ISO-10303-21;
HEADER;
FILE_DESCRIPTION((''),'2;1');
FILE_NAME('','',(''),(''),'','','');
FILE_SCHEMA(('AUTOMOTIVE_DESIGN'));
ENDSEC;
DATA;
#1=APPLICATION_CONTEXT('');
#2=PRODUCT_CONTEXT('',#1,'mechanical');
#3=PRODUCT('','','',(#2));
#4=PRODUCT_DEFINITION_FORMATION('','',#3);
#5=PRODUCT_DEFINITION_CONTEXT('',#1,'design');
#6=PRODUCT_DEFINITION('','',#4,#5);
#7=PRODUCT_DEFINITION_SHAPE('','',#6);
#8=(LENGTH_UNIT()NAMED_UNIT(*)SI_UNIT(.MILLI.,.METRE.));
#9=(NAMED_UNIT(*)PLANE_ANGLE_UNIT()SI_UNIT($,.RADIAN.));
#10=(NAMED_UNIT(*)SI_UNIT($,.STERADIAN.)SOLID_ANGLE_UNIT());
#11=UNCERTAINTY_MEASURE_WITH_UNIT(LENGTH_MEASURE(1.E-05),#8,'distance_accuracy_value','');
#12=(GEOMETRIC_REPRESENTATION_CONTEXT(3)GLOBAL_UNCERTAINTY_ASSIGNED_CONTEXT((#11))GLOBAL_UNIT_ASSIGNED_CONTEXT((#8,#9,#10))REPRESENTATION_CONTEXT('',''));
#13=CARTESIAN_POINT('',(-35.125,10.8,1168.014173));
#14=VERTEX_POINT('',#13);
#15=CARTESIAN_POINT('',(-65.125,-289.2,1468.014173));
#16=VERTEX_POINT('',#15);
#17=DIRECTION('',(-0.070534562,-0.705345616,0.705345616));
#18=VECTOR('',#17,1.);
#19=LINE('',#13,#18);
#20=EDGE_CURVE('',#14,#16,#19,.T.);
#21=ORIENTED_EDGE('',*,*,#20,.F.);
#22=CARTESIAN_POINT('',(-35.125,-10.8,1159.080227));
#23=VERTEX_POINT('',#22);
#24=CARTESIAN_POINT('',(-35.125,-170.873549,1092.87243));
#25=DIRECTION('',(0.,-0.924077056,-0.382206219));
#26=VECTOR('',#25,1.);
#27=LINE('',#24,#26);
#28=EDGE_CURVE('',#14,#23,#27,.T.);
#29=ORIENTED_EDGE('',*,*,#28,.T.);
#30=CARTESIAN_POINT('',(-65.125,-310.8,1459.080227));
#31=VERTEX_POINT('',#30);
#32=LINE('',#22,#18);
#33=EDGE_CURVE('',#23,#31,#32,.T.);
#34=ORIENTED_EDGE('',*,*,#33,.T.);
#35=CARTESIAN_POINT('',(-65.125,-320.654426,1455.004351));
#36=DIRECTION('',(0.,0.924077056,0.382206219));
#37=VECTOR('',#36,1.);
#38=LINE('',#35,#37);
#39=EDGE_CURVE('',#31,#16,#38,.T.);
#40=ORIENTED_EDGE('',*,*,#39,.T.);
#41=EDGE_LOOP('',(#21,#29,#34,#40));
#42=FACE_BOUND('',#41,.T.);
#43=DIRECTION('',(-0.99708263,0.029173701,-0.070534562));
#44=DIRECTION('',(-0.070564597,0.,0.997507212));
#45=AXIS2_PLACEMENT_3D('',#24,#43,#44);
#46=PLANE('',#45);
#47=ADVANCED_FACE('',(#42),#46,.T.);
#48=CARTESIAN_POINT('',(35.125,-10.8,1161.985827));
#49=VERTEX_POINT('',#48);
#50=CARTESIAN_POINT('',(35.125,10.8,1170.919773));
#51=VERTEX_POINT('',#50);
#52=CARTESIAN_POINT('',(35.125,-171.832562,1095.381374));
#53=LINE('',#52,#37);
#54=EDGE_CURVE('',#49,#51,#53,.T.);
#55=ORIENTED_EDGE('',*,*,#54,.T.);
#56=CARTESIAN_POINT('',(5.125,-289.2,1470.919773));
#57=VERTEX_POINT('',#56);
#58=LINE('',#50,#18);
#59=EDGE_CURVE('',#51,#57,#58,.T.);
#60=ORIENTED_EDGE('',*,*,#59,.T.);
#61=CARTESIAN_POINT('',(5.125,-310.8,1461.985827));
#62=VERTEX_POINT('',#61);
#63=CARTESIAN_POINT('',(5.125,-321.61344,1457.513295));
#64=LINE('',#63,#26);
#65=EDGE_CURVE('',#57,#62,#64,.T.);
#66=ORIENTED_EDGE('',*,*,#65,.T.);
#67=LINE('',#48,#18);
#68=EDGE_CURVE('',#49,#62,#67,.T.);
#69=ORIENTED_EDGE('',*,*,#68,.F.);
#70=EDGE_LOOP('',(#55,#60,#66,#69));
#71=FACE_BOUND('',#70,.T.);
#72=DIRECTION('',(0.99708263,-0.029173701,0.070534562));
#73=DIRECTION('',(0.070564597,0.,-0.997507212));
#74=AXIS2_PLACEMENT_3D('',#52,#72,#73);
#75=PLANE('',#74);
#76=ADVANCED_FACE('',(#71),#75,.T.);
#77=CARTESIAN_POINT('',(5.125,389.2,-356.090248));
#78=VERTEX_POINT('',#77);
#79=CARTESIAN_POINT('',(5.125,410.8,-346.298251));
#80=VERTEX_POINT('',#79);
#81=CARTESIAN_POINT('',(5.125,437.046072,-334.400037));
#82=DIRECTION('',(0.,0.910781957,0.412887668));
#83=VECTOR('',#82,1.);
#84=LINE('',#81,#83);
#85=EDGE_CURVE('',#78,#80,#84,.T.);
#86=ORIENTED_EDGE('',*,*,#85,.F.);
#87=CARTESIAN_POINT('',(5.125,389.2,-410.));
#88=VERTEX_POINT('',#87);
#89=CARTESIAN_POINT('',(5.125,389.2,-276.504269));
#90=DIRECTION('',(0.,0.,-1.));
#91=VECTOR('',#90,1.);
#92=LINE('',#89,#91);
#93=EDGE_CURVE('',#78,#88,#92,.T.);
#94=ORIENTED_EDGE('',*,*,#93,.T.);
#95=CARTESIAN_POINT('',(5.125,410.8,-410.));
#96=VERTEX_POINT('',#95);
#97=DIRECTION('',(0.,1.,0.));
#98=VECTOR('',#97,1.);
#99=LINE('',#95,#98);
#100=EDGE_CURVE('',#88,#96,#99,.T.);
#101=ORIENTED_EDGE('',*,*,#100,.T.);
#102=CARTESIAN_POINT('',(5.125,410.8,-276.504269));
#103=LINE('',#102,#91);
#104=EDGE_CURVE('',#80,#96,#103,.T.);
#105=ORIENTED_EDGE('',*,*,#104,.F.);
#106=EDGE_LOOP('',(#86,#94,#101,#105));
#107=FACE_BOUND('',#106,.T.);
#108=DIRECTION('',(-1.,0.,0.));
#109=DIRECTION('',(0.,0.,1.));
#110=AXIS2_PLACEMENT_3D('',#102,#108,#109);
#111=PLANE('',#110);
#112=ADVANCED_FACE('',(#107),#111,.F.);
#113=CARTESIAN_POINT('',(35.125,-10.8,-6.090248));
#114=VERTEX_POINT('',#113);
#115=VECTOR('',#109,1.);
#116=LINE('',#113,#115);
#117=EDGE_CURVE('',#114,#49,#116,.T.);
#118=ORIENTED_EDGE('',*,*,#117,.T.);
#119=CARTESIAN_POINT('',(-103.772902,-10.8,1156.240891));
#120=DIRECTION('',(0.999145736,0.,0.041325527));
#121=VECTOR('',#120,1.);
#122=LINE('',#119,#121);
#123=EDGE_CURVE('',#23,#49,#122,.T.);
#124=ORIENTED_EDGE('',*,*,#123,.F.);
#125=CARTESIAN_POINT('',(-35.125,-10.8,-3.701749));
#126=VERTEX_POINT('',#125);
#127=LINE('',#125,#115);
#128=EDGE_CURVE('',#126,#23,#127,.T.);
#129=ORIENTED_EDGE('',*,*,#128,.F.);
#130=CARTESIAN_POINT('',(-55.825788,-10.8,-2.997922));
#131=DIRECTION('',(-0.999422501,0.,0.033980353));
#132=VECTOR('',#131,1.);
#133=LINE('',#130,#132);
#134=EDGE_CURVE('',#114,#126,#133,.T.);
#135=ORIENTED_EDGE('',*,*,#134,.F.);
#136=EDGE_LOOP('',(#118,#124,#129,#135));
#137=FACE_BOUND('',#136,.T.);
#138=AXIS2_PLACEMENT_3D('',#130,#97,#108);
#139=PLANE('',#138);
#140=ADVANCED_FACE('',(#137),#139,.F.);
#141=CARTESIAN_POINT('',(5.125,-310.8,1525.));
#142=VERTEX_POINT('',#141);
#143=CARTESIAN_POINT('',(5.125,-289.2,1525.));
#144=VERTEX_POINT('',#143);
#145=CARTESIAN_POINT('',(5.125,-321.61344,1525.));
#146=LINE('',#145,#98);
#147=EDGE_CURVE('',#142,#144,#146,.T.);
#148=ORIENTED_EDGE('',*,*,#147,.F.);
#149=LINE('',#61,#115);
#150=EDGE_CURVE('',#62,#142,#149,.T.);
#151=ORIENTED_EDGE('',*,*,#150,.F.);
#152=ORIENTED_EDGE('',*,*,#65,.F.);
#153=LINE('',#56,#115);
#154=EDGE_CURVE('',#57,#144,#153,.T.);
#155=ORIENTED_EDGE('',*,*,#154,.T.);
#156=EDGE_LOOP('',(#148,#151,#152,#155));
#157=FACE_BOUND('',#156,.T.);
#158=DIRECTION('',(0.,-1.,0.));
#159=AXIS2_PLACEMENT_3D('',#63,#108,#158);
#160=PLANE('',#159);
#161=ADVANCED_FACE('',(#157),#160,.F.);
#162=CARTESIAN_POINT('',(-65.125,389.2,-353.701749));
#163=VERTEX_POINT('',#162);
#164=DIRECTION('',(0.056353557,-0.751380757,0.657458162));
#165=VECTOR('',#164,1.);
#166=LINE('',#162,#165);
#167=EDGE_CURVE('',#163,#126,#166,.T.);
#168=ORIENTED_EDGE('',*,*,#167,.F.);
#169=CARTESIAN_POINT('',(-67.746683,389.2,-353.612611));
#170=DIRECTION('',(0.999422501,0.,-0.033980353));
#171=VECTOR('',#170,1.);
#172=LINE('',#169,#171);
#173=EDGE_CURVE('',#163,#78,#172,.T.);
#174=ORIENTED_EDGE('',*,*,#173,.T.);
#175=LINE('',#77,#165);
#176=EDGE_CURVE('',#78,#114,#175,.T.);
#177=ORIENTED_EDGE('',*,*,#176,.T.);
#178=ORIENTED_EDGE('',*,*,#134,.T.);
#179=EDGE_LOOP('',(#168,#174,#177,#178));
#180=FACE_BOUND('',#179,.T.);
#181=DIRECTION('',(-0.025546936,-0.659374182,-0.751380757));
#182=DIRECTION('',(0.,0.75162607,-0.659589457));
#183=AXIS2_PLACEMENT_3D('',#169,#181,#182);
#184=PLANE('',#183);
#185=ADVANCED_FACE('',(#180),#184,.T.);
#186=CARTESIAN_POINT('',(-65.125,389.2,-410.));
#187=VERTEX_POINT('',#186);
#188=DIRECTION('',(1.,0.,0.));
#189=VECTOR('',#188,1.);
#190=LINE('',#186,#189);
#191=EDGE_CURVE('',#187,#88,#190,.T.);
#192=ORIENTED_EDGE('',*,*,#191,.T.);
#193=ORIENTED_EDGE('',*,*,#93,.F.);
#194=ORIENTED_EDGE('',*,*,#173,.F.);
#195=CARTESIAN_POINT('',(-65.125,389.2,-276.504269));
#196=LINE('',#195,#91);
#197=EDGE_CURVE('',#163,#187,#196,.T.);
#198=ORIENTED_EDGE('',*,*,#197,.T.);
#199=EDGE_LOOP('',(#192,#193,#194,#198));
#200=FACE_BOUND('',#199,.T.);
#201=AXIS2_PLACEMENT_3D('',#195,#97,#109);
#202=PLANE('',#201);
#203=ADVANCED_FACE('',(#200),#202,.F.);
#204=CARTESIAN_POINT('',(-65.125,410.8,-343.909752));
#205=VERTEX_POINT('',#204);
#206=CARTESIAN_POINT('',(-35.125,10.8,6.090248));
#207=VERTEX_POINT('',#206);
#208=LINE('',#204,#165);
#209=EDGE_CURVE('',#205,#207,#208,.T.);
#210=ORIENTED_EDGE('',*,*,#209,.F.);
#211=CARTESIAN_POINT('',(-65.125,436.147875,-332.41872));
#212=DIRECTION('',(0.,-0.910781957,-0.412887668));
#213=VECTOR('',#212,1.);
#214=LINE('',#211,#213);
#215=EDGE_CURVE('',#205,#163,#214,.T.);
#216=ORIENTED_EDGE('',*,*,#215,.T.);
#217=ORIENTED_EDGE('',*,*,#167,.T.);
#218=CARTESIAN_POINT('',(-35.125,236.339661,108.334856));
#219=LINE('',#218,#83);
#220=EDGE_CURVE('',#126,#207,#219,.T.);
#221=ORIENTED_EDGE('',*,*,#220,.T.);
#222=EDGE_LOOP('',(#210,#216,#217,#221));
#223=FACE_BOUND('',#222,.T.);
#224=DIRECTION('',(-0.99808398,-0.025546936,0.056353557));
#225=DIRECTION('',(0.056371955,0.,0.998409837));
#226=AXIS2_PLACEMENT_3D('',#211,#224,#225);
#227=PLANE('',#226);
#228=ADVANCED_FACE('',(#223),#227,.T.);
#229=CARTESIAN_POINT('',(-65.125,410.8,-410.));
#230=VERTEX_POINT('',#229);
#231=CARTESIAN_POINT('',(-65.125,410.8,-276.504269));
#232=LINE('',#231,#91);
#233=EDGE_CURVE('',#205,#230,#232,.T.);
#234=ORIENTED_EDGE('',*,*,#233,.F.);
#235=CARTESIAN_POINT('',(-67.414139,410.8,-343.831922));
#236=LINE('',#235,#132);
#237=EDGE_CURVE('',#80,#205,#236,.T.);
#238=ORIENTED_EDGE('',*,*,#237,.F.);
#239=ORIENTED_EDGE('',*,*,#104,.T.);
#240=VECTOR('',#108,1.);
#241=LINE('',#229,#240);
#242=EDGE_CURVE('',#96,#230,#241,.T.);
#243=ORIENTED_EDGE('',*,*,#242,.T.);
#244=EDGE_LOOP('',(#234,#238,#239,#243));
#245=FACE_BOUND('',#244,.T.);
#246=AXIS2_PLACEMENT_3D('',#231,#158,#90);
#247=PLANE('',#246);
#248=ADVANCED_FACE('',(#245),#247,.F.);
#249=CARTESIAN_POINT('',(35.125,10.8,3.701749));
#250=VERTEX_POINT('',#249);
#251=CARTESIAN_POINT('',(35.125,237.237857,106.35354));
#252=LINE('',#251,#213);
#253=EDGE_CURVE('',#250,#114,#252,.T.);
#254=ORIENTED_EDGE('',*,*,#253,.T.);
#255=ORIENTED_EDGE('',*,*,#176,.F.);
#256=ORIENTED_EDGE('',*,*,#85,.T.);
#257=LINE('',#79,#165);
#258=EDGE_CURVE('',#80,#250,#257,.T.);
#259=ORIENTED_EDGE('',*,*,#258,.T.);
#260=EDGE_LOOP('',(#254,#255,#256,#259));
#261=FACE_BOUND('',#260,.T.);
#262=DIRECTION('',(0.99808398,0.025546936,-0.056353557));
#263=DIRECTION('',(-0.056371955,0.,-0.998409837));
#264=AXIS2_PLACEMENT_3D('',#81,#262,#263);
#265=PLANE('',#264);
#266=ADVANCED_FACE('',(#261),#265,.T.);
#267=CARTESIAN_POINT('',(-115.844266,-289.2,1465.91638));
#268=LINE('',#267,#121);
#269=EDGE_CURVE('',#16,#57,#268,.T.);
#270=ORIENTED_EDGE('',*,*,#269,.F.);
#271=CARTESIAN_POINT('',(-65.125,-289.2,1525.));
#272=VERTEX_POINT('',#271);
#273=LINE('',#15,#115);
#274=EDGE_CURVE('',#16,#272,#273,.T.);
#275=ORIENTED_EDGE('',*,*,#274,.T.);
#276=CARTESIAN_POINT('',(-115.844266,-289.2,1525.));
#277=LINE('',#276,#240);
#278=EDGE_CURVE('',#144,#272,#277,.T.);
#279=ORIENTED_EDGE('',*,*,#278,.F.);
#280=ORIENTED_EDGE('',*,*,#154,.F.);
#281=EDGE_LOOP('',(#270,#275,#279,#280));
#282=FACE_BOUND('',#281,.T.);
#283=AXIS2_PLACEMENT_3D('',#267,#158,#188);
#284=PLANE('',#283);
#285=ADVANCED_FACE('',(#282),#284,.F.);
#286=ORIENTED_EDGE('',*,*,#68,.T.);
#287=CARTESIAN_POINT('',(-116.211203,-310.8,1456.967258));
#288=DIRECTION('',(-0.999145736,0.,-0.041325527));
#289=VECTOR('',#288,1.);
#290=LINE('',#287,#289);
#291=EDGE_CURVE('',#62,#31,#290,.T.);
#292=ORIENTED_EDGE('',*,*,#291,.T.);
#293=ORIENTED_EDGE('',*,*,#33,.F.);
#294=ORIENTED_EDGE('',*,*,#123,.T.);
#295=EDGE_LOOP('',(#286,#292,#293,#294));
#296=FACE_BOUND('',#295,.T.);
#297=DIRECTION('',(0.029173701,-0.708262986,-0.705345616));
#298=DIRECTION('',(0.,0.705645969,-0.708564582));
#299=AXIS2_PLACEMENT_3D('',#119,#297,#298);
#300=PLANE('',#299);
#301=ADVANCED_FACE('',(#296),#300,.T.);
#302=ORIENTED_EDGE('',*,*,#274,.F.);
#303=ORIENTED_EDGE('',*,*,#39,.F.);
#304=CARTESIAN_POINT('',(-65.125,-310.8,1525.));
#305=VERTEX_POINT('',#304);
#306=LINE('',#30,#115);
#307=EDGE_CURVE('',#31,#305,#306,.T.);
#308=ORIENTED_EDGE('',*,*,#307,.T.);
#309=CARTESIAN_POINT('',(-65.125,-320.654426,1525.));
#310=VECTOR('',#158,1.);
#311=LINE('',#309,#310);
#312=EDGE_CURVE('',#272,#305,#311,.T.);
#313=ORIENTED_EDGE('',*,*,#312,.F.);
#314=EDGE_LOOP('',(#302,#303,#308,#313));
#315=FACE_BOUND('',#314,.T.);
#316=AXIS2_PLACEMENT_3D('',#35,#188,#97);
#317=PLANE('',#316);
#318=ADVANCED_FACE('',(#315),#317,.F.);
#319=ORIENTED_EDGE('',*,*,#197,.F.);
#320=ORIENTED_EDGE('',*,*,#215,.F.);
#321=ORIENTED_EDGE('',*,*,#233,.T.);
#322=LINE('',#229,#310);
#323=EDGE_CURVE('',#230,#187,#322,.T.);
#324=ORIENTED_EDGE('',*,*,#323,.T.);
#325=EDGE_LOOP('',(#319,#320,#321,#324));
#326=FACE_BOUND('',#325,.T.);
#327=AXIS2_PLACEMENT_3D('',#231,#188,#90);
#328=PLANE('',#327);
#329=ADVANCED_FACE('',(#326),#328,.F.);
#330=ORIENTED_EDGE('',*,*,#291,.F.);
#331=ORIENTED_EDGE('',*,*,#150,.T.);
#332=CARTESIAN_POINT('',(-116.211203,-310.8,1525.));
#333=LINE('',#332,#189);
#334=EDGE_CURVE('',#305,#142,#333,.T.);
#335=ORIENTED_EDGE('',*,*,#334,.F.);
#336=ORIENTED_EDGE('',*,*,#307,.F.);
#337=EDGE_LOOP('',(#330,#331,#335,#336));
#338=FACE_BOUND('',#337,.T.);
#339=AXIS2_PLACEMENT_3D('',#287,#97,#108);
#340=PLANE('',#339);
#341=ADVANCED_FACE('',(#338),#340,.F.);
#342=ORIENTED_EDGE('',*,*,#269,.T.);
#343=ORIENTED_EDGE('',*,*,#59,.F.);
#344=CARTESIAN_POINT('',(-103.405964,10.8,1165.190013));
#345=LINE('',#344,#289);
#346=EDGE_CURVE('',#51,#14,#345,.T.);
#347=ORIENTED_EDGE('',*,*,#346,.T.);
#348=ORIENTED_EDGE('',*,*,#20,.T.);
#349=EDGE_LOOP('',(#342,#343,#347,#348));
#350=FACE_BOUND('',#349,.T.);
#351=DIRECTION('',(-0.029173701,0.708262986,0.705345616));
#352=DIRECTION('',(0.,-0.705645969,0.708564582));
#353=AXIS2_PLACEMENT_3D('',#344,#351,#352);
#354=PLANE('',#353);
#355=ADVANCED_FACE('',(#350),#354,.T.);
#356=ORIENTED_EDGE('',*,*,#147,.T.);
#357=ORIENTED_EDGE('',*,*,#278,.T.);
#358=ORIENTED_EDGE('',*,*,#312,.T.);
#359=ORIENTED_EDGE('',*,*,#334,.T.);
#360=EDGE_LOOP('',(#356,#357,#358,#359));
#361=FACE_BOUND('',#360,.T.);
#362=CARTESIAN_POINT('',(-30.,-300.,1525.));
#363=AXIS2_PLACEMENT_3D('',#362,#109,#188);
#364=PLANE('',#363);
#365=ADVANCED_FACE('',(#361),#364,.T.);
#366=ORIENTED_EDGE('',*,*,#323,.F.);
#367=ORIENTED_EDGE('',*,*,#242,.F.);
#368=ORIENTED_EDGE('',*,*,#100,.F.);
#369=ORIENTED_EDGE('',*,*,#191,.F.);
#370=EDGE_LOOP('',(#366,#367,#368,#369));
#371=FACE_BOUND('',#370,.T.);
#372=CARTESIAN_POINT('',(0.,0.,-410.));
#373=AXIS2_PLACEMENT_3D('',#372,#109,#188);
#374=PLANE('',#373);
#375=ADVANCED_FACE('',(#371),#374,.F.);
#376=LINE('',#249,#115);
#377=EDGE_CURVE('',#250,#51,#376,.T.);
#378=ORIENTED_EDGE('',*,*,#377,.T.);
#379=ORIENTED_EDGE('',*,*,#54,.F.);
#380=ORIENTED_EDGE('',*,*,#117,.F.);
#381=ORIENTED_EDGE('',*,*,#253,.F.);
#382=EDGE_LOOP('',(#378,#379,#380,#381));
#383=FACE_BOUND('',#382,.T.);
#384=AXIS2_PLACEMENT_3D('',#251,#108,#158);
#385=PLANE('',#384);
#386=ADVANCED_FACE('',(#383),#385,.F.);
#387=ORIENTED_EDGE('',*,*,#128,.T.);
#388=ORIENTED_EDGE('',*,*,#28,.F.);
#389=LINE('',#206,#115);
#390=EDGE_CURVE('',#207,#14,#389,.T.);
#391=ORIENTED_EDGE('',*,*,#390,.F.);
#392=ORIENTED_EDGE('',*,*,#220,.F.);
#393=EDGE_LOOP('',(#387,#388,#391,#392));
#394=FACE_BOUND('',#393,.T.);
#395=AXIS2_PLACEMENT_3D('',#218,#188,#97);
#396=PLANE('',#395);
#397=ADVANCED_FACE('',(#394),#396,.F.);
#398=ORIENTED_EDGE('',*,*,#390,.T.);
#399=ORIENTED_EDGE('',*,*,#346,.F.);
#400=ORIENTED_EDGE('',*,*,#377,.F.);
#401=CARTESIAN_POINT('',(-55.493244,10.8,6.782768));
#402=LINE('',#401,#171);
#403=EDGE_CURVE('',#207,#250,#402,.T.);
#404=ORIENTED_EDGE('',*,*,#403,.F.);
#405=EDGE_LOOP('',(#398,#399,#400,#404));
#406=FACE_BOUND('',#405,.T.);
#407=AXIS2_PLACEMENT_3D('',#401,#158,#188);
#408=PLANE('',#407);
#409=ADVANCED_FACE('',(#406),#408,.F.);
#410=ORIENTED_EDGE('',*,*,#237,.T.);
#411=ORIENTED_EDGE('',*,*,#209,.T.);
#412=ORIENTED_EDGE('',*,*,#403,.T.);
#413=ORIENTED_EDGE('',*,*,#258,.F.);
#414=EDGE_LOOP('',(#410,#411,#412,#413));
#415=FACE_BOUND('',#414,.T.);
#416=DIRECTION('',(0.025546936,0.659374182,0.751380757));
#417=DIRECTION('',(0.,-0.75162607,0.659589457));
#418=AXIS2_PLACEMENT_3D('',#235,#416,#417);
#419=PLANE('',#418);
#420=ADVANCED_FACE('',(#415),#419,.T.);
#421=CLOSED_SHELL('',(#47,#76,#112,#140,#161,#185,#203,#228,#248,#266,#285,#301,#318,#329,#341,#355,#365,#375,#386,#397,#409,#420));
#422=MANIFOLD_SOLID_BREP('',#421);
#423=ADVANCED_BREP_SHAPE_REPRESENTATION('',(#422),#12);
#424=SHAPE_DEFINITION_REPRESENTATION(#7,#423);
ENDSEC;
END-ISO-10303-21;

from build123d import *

# Parameters (mm, degrees)
SKETCH1_W = 70.25
SKETCH1_H = 21.6


with BuildPart() as part:
    # Sweep1: sweep along a curve in space
    with BuildLine() as sweep1_path:
        Line((-30, 400, -350), (-30, 400, -410))
        Line((0, 0, 0), (-30, 400, -350))
        Line((0, 0, 1165), (0, 0, 0))
        Line((-30, -300, 1465), (0, 0, 1165))
        Line((-30, -300, 1465), (-30, -300, 1525))
    # Sketch1 → Sweep1 (sweep)
    with BuildSketch(Plane(origin=(-30, 400, -410), x_dir=(1, 0, 0), z_dir=(0, 0, 1))):
        Rectangle(SKETCH1_W, SKETCH1_H)
    sweep(path=sweep1_path.line, transition=Transition.RIGHT)


solid = part.part
